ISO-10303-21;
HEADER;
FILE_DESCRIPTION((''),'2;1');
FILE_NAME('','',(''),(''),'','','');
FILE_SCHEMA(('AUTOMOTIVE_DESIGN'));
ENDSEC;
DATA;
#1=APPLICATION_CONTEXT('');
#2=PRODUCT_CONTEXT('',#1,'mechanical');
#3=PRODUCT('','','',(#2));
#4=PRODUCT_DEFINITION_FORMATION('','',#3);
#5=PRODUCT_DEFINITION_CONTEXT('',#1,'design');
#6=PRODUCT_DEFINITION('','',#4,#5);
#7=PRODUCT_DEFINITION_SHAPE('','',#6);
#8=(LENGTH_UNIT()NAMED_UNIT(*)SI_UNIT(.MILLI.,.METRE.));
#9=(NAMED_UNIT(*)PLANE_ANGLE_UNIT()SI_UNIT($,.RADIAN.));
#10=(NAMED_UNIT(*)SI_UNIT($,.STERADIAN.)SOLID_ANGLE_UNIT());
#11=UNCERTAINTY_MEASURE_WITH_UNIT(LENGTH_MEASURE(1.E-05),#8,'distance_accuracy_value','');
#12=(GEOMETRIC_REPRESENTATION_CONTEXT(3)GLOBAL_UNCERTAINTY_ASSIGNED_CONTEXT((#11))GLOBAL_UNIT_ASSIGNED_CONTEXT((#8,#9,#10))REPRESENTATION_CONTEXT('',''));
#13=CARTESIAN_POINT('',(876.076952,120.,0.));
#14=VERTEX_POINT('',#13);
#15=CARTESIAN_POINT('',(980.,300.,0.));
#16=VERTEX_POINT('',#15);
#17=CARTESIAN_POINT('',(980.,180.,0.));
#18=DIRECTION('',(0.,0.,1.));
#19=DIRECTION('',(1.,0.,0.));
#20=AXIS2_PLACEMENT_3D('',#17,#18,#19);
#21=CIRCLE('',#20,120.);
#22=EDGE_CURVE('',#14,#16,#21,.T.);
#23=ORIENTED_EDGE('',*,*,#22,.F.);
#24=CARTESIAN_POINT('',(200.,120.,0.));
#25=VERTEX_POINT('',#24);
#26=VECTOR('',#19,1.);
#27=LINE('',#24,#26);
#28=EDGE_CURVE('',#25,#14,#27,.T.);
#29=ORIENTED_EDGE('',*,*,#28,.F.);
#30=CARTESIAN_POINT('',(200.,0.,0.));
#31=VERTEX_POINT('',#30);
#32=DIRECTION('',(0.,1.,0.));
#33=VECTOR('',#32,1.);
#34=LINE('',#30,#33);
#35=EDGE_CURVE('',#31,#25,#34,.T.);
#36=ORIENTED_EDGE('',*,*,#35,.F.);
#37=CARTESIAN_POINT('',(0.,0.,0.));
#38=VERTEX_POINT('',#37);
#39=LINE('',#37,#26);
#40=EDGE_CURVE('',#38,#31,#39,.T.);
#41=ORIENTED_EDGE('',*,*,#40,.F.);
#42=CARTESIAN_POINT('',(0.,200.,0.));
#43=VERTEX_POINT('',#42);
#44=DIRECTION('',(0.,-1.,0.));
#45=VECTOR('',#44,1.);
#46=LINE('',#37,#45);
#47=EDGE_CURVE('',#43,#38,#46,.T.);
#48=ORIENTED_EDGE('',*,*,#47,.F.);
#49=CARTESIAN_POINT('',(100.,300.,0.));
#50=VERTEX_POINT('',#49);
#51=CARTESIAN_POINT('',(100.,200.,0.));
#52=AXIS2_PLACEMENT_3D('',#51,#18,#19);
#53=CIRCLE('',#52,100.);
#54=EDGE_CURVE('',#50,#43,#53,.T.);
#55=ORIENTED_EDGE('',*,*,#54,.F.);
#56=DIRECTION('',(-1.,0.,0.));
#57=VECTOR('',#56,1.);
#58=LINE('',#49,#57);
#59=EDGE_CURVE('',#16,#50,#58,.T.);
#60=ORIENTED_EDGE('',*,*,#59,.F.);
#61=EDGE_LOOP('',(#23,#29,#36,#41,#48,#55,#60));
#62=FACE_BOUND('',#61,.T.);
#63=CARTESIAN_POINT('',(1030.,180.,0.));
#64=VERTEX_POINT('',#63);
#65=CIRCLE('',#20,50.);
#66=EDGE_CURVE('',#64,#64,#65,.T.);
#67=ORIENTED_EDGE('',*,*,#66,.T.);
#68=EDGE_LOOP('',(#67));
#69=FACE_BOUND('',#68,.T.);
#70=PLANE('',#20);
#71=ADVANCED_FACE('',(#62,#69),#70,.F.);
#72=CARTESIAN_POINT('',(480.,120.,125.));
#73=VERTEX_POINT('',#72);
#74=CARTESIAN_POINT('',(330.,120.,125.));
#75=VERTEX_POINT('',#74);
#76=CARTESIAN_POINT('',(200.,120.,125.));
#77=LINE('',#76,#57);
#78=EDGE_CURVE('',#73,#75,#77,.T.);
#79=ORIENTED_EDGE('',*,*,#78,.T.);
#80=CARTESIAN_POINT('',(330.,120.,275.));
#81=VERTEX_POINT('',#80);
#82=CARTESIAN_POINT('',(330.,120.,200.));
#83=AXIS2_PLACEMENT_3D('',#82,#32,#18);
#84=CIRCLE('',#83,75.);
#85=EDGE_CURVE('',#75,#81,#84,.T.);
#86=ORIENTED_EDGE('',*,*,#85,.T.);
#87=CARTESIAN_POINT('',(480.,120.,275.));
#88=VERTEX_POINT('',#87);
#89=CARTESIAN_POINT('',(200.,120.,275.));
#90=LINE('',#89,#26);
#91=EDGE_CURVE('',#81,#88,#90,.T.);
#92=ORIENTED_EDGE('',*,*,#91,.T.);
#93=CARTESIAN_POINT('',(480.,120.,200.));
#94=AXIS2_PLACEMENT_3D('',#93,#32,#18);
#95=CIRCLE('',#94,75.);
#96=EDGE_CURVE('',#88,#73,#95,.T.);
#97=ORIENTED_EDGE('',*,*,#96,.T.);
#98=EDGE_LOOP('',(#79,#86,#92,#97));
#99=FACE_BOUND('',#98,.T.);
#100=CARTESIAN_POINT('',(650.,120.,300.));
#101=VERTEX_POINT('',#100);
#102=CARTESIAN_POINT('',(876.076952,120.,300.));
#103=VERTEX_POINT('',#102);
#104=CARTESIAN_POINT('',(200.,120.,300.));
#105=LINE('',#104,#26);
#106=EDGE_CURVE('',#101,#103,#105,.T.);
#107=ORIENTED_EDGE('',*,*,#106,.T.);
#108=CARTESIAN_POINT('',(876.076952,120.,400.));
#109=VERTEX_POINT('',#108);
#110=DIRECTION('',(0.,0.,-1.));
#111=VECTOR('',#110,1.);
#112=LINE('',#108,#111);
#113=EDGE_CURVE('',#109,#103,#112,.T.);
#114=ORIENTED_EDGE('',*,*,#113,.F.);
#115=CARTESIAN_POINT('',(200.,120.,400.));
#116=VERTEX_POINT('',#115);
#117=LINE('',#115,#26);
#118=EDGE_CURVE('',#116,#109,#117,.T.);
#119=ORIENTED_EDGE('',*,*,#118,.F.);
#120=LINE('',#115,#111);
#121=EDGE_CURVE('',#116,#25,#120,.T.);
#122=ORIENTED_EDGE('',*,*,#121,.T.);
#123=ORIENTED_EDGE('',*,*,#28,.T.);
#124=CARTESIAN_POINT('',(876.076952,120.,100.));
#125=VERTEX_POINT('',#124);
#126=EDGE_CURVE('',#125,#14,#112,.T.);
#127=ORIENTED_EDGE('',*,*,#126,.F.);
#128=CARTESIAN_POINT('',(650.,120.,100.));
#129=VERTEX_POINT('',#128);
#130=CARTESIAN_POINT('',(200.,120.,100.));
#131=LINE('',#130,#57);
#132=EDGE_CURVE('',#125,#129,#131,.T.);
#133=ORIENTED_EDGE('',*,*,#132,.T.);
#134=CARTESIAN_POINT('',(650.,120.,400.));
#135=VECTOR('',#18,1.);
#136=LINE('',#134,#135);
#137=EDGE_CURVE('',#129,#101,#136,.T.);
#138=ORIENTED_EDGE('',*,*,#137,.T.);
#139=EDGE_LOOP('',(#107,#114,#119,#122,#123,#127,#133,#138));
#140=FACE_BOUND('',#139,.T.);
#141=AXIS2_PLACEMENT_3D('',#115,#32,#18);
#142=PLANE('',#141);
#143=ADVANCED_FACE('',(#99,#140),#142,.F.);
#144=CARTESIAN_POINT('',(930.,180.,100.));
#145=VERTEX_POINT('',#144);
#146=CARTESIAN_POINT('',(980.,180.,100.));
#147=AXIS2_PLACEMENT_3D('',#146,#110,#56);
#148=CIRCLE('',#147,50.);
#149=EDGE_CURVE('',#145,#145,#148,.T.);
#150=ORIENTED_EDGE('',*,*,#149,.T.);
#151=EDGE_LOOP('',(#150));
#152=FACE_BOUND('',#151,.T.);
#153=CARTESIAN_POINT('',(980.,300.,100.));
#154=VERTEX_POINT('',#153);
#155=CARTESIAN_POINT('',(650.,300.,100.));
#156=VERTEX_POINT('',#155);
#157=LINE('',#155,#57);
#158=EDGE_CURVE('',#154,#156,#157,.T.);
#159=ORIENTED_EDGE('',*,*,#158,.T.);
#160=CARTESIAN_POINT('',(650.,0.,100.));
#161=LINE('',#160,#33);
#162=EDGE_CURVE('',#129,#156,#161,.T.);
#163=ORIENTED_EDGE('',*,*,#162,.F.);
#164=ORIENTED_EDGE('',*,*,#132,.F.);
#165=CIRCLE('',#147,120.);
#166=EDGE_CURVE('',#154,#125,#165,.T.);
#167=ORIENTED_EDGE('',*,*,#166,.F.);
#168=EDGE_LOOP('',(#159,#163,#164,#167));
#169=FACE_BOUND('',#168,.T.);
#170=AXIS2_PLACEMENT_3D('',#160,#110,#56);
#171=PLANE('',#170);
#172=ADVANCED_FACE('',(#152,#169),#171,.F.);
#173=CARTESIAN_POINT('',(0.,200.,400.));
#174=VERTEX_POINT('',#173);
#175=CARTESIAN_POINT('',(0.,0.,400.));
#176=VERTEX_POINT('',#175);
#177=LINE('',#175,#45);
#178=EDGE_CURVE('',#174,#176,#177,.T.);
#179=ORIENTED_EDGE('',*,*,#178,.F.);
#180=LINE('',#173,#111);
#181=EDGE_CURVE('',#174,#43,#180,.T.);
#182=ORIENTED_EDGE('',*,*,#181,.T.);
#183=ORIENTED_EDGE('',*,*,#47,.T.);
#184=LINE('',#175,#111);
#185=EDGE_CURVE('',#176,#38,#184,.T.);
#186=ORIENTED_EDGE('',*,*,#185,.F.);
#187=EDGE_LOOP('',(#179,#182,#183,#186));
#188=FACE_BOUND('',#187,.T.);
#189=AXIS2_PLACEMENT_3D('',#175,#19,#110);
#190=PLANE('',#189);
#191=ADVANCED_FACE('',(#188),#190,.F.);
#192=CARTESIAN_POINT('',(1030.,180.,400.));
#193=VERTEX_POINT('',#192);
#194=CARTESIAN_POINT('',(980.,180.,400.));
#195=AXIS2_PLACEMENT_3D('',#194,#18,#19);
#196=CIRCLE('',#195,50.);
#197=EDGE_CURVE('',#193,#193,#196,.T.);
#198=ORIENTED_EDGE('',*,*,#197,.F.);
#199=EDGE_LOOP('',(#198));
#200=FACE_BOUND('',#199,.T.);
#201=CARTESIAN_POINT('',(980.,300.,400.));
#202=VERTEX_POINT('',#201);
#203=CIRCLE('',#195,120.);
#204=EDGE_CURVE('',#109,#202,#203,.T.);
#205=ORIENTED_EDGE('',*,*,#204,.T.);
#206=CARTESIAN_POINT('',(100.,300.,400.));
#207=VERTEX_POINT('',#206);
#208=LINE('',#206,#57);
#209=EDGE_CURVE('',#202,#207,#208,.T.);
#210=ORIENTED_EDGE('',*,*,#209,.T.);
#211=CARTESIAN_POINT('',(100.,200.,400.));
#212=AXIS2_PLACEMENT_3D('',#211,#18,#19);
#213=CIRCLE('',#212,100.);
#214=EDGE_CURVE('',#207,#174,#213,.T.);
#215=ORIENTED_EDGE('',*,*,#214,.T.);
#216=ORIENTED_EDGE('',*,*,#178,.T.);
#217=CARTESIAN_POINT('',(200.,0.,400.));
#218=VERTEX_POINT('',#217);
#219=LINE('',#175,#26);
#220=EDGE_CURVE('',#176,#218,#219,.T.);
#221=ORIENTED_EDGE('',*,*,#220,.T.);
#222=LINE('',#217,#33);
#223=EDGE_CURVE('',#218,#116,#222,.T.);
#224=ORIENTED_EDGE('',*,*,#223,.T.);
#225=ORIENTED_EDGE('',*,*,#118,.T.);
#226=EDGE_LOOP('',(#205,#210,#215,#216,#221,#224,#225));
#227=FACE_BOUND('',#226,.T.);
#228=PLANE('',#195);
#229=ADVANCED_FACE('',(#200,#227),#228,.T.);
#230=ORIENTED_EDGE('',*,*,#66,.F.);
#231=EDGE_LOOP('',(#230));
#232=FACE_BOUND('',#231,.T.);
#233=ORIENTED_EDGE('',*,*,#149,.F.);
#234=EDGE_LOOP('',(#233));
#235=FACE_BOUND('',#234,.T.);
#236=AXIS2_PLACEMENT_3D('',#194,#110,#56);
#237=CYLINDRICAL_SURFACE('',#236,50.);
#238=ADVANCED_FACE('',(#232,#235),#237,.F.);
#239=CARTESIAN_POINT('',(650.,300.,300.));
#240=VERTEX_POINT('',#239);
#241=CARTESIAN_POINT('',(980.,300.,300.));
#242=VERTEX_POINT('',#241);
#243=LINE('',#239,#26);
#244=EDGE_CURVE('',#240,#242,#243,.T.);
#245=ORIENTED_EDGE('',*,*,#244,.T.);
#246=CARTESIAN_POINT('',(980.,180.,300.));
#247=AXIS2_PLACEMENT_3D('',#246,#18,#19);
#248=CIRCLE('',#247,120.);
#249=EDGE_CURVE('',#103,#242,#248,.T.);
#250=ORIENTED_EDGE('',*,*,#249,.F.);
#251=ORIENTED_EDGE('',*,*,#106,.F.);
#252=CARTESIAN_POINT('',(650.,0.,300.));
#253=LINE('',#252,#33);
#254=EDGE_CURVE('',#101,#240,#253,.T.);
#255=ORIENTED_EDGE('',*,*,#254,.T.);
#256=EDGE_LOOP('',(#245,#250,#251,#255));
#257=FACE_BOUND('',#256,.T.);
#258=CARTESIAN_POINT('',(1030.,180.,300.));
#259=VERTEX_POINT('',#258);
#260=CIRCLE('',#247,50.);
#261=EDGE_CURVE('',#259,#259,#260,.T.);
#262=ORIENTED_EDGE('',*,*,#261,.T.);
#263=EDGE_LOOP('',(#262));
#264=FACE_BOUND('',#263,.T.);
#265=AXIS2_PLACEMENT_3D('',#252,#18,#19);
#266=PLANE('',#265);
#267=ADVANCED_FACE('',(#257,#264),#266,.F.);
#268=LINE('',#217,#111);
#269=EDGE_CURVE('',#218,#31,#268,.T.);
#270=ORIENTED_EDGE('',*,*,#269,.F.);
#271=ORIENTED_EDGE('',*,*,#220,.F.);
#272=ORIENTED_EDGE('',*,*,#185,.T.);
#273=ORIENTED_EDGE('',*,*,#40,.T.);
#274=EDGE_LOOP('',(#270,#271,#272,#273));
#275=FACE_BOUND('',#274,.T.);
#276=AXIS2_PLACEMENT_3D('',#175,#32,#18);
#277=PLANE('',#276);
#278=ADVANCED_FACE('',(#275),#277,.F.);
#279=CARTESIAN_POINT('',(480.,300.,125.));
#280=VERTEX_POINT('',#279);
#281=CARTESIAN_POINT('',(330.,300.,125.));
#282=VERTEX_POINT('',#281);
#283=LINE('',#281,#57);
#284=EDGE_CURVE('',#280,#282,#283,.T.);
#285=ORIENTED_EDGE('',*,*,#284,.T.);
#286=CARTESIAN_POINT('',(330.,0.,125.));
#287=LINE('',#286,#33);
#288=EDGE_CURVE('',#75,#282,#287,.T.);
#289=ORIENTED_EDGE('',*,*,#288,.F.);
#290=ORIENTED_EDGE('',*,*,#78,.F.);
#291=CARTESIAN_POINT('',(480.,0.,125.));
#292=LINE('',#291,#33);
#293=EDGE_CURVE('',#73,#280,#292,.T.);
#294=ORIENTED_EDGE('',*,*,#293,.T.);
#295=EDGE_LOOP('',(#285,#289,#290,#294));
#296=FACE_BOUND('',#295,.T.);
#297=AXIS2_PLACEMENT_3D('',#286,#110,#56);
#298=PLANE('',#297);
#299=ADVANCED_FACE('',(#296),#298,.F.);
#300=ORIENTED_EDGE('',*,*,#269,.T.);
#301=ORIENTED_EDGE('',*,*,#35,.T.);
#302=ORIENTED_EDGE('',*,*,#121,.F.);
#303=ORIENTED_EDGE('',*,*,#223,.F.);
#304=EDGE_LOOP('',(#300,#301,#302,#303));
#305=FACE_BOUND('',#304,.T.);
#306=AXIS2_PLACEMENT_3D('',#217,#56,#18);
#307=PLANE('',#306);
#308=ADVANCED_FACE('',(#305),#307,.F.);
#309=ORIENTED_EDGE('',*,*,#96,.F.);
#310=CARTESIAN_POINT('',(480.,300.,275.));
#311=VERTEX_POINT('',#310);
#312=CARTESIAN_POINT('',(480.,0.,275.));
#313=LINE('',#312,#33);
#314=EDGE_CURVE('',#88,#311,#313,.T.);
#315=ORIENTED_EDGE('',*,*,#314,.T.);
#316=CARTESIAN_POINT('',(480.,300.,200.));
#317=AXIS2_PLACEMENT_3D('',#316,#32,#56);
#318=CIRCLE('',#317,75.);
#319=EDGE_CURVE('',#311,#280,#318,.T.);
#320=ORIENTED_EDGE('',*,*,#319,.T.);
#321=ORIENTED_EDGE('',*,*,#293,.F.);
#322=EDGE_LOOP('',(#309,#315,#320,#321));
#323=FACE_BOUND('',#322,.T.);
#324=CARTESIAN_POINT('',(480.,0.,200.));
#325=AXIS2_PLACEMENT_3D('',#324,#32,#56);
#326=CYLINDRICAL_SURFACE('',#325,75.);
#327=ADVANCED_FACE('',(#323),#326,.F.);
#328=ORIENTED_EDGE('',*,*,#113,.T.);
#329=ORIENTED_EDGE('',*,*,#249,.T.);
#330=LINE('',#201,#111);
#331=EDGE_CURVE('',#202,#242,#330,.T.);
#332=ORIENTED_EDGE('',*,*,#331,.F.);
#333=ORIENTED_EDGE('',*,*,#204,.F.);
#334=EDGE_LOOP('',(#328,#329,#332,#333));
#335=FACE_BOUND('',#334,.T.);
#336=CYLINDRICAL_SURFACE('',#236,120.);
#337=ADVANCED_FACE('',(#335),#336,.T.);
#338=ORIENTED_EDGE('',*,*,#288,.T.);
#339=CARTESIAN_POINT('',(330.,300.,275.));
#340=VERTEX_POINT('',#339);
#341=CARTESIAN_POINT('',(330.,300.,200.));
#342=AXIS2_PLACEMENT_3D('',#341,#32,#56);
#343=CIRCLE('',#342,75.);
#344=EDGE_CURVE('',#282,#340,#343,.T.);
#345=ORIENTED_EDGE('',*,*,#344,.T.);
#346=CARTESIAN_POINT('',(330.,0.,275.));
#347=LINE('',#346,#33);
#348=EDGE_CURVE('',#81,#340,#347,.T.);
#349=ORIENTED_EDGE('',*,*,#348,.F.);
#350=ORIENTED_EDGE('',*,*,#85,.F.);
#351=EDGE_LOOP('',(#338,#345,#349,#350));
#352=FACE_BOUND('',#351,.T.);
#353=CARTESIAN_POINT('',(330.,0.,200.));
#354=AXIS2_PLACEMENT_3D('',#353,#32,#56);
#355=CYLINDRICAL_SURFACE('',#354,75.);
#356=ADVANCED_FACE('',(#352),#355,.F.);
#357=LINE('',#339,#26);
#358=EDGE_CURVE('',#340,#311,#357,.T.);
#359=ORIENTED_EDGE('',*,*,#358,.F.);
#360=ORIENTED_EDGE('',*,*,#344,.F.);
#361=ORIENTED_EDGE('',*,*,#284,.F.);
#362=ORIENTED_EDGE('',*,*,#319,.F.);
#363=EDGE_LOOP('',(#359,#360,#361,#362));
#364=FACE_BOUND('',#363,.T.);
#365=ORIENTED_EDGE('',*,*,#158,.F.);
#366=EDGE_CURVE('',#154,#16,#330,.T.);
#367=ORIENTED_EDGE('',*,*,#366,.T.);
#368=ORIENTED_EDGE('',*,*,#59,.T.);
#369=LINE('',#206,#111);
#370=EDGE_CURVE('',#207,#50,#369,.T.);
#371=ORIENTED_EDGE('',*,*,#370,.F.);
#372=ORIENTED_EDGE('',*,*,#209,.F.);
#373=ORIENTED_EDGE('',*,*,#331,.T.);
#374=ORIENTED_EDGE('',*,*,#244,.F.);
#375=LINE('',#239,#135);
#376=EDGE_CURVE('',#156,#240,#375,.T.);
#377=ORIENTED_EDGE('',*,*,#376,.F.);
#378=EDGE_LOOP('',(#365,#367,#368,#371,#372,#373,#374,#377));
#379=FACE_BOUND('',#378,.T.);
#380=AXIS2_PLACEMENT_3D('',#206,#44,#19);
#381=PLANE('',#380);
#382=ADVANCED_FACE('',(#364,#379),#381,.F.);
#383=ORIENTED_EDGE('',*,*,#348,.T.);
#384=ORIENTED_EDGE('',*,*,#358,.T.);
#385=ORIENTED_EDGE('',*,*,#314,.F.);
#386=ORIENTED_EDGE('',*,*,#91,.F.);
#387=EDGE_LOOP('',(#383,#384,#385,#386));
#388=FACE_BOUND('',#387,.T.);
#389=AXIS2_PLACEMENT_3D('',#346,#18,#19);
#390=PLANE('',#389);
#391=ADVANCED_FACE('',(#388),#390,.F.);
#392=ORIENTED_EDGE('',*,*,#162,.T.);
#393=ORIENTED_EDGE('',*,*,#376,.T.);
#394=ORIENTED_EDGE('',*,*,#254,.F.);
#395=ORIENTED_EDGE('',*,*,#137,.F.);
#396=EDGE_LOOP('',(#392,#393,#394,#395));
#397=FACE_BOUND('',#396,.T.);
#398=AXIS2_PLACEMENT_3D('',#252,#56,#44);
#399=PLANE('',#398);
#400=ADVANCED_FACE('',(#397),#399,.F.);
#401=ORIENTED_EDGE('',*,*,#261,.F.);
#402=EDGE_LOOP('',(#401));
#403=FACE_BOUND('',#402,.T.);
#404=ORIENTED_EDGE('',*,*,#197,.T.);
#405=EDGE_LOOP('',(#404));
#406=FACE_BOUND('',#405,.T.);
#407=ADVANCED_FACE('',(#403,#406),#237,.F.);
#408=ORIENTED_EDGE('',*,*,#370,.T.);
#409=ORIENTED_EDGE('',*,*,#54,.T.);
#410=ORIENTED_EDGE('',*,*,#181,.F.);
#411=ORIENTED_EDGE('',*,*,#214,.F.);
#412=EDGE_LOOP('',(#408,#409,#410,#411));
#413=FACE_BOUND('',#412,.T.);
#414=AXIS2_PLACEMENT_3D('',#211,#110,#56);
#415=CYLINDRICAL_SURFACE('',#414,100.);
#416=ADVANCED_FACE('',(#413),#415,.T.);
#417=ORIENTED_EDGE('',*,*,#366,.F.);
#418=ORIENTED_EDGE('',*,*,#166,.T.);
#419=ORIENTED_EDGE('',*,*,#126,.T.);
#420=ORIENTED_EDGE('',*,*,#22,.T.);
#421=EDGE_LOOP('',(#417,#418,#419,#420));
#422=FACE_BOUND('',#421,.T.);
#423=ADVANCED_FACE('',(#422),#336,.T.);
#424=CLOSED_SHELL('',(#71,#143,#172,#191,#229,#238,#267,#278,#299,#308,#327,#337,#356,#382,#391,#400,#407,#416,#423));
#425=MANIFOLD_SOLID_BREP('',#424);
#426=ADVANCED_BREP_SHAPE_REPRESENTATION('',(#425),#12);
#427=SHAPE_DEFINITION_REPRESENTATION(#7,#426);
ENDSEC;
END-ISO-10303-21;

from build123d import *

# Parameters (mm, degrees)
ESQUISSE1_R             = 50
BOSS_EXTRU_1_DEPTH      = 400
ESQUISSE2_W             = 600
ESQUISSE2_H             = 200
ENL_V_MAT_EXTRU_1_DEPTH = 1209.304597359


with BuildPart() as part:
    # Esquisse1 → Boss.-Extru.1 (new body)
    with BuildSketch(Plane.XY):
        with BuildLine():
            Line((0, 0), (0, 200))
            ThreePointArc((0, 200), (29.289321881, 270.710678119), (100, 300))
            Line((100, 300), (980, 300))
            ThreePointArc((980, 300), (1083.923048454, 120), (876.076951546, 120))
            Line((876.076951546, 120), (200, 120))
            Line((200, 120), (200, 0))
            Line((200, 0), (0, 0))
        make_face()
        with Locations((980, 180)):
            Circle(ESQUISSE1_R, mode=Mode.SUBTRACT)
    extrude(amount=BOSS_EXTRU_1_DEPTH)

    # Esquisse2 → Enlèv. mat.-Extru.1 (cut, through all)
    with BuildSketch(Plane(origin=(0, 300, 0), x_dir=(1, 0, 0), z_dir=(0, 1, 0))):
        with BuildLine():
            Line((330, -125), (480, -125))
            ThreePointArc((480, -125), (555, -200), (480, -275))
            Line((480, -275), (330, -275))
            ThreePointArc((330, -275), (255, -200), (330, -125))
        make_face()
        with Locations((950, -200)):
            Rectangle(ESQUISSE2_W, ESQUISSE2_H)
    extrude(amount=-ENL_V_MAT_EXTRU_1_DEPTH, mode=Mode.SUBTRACT)


solid = part.part
